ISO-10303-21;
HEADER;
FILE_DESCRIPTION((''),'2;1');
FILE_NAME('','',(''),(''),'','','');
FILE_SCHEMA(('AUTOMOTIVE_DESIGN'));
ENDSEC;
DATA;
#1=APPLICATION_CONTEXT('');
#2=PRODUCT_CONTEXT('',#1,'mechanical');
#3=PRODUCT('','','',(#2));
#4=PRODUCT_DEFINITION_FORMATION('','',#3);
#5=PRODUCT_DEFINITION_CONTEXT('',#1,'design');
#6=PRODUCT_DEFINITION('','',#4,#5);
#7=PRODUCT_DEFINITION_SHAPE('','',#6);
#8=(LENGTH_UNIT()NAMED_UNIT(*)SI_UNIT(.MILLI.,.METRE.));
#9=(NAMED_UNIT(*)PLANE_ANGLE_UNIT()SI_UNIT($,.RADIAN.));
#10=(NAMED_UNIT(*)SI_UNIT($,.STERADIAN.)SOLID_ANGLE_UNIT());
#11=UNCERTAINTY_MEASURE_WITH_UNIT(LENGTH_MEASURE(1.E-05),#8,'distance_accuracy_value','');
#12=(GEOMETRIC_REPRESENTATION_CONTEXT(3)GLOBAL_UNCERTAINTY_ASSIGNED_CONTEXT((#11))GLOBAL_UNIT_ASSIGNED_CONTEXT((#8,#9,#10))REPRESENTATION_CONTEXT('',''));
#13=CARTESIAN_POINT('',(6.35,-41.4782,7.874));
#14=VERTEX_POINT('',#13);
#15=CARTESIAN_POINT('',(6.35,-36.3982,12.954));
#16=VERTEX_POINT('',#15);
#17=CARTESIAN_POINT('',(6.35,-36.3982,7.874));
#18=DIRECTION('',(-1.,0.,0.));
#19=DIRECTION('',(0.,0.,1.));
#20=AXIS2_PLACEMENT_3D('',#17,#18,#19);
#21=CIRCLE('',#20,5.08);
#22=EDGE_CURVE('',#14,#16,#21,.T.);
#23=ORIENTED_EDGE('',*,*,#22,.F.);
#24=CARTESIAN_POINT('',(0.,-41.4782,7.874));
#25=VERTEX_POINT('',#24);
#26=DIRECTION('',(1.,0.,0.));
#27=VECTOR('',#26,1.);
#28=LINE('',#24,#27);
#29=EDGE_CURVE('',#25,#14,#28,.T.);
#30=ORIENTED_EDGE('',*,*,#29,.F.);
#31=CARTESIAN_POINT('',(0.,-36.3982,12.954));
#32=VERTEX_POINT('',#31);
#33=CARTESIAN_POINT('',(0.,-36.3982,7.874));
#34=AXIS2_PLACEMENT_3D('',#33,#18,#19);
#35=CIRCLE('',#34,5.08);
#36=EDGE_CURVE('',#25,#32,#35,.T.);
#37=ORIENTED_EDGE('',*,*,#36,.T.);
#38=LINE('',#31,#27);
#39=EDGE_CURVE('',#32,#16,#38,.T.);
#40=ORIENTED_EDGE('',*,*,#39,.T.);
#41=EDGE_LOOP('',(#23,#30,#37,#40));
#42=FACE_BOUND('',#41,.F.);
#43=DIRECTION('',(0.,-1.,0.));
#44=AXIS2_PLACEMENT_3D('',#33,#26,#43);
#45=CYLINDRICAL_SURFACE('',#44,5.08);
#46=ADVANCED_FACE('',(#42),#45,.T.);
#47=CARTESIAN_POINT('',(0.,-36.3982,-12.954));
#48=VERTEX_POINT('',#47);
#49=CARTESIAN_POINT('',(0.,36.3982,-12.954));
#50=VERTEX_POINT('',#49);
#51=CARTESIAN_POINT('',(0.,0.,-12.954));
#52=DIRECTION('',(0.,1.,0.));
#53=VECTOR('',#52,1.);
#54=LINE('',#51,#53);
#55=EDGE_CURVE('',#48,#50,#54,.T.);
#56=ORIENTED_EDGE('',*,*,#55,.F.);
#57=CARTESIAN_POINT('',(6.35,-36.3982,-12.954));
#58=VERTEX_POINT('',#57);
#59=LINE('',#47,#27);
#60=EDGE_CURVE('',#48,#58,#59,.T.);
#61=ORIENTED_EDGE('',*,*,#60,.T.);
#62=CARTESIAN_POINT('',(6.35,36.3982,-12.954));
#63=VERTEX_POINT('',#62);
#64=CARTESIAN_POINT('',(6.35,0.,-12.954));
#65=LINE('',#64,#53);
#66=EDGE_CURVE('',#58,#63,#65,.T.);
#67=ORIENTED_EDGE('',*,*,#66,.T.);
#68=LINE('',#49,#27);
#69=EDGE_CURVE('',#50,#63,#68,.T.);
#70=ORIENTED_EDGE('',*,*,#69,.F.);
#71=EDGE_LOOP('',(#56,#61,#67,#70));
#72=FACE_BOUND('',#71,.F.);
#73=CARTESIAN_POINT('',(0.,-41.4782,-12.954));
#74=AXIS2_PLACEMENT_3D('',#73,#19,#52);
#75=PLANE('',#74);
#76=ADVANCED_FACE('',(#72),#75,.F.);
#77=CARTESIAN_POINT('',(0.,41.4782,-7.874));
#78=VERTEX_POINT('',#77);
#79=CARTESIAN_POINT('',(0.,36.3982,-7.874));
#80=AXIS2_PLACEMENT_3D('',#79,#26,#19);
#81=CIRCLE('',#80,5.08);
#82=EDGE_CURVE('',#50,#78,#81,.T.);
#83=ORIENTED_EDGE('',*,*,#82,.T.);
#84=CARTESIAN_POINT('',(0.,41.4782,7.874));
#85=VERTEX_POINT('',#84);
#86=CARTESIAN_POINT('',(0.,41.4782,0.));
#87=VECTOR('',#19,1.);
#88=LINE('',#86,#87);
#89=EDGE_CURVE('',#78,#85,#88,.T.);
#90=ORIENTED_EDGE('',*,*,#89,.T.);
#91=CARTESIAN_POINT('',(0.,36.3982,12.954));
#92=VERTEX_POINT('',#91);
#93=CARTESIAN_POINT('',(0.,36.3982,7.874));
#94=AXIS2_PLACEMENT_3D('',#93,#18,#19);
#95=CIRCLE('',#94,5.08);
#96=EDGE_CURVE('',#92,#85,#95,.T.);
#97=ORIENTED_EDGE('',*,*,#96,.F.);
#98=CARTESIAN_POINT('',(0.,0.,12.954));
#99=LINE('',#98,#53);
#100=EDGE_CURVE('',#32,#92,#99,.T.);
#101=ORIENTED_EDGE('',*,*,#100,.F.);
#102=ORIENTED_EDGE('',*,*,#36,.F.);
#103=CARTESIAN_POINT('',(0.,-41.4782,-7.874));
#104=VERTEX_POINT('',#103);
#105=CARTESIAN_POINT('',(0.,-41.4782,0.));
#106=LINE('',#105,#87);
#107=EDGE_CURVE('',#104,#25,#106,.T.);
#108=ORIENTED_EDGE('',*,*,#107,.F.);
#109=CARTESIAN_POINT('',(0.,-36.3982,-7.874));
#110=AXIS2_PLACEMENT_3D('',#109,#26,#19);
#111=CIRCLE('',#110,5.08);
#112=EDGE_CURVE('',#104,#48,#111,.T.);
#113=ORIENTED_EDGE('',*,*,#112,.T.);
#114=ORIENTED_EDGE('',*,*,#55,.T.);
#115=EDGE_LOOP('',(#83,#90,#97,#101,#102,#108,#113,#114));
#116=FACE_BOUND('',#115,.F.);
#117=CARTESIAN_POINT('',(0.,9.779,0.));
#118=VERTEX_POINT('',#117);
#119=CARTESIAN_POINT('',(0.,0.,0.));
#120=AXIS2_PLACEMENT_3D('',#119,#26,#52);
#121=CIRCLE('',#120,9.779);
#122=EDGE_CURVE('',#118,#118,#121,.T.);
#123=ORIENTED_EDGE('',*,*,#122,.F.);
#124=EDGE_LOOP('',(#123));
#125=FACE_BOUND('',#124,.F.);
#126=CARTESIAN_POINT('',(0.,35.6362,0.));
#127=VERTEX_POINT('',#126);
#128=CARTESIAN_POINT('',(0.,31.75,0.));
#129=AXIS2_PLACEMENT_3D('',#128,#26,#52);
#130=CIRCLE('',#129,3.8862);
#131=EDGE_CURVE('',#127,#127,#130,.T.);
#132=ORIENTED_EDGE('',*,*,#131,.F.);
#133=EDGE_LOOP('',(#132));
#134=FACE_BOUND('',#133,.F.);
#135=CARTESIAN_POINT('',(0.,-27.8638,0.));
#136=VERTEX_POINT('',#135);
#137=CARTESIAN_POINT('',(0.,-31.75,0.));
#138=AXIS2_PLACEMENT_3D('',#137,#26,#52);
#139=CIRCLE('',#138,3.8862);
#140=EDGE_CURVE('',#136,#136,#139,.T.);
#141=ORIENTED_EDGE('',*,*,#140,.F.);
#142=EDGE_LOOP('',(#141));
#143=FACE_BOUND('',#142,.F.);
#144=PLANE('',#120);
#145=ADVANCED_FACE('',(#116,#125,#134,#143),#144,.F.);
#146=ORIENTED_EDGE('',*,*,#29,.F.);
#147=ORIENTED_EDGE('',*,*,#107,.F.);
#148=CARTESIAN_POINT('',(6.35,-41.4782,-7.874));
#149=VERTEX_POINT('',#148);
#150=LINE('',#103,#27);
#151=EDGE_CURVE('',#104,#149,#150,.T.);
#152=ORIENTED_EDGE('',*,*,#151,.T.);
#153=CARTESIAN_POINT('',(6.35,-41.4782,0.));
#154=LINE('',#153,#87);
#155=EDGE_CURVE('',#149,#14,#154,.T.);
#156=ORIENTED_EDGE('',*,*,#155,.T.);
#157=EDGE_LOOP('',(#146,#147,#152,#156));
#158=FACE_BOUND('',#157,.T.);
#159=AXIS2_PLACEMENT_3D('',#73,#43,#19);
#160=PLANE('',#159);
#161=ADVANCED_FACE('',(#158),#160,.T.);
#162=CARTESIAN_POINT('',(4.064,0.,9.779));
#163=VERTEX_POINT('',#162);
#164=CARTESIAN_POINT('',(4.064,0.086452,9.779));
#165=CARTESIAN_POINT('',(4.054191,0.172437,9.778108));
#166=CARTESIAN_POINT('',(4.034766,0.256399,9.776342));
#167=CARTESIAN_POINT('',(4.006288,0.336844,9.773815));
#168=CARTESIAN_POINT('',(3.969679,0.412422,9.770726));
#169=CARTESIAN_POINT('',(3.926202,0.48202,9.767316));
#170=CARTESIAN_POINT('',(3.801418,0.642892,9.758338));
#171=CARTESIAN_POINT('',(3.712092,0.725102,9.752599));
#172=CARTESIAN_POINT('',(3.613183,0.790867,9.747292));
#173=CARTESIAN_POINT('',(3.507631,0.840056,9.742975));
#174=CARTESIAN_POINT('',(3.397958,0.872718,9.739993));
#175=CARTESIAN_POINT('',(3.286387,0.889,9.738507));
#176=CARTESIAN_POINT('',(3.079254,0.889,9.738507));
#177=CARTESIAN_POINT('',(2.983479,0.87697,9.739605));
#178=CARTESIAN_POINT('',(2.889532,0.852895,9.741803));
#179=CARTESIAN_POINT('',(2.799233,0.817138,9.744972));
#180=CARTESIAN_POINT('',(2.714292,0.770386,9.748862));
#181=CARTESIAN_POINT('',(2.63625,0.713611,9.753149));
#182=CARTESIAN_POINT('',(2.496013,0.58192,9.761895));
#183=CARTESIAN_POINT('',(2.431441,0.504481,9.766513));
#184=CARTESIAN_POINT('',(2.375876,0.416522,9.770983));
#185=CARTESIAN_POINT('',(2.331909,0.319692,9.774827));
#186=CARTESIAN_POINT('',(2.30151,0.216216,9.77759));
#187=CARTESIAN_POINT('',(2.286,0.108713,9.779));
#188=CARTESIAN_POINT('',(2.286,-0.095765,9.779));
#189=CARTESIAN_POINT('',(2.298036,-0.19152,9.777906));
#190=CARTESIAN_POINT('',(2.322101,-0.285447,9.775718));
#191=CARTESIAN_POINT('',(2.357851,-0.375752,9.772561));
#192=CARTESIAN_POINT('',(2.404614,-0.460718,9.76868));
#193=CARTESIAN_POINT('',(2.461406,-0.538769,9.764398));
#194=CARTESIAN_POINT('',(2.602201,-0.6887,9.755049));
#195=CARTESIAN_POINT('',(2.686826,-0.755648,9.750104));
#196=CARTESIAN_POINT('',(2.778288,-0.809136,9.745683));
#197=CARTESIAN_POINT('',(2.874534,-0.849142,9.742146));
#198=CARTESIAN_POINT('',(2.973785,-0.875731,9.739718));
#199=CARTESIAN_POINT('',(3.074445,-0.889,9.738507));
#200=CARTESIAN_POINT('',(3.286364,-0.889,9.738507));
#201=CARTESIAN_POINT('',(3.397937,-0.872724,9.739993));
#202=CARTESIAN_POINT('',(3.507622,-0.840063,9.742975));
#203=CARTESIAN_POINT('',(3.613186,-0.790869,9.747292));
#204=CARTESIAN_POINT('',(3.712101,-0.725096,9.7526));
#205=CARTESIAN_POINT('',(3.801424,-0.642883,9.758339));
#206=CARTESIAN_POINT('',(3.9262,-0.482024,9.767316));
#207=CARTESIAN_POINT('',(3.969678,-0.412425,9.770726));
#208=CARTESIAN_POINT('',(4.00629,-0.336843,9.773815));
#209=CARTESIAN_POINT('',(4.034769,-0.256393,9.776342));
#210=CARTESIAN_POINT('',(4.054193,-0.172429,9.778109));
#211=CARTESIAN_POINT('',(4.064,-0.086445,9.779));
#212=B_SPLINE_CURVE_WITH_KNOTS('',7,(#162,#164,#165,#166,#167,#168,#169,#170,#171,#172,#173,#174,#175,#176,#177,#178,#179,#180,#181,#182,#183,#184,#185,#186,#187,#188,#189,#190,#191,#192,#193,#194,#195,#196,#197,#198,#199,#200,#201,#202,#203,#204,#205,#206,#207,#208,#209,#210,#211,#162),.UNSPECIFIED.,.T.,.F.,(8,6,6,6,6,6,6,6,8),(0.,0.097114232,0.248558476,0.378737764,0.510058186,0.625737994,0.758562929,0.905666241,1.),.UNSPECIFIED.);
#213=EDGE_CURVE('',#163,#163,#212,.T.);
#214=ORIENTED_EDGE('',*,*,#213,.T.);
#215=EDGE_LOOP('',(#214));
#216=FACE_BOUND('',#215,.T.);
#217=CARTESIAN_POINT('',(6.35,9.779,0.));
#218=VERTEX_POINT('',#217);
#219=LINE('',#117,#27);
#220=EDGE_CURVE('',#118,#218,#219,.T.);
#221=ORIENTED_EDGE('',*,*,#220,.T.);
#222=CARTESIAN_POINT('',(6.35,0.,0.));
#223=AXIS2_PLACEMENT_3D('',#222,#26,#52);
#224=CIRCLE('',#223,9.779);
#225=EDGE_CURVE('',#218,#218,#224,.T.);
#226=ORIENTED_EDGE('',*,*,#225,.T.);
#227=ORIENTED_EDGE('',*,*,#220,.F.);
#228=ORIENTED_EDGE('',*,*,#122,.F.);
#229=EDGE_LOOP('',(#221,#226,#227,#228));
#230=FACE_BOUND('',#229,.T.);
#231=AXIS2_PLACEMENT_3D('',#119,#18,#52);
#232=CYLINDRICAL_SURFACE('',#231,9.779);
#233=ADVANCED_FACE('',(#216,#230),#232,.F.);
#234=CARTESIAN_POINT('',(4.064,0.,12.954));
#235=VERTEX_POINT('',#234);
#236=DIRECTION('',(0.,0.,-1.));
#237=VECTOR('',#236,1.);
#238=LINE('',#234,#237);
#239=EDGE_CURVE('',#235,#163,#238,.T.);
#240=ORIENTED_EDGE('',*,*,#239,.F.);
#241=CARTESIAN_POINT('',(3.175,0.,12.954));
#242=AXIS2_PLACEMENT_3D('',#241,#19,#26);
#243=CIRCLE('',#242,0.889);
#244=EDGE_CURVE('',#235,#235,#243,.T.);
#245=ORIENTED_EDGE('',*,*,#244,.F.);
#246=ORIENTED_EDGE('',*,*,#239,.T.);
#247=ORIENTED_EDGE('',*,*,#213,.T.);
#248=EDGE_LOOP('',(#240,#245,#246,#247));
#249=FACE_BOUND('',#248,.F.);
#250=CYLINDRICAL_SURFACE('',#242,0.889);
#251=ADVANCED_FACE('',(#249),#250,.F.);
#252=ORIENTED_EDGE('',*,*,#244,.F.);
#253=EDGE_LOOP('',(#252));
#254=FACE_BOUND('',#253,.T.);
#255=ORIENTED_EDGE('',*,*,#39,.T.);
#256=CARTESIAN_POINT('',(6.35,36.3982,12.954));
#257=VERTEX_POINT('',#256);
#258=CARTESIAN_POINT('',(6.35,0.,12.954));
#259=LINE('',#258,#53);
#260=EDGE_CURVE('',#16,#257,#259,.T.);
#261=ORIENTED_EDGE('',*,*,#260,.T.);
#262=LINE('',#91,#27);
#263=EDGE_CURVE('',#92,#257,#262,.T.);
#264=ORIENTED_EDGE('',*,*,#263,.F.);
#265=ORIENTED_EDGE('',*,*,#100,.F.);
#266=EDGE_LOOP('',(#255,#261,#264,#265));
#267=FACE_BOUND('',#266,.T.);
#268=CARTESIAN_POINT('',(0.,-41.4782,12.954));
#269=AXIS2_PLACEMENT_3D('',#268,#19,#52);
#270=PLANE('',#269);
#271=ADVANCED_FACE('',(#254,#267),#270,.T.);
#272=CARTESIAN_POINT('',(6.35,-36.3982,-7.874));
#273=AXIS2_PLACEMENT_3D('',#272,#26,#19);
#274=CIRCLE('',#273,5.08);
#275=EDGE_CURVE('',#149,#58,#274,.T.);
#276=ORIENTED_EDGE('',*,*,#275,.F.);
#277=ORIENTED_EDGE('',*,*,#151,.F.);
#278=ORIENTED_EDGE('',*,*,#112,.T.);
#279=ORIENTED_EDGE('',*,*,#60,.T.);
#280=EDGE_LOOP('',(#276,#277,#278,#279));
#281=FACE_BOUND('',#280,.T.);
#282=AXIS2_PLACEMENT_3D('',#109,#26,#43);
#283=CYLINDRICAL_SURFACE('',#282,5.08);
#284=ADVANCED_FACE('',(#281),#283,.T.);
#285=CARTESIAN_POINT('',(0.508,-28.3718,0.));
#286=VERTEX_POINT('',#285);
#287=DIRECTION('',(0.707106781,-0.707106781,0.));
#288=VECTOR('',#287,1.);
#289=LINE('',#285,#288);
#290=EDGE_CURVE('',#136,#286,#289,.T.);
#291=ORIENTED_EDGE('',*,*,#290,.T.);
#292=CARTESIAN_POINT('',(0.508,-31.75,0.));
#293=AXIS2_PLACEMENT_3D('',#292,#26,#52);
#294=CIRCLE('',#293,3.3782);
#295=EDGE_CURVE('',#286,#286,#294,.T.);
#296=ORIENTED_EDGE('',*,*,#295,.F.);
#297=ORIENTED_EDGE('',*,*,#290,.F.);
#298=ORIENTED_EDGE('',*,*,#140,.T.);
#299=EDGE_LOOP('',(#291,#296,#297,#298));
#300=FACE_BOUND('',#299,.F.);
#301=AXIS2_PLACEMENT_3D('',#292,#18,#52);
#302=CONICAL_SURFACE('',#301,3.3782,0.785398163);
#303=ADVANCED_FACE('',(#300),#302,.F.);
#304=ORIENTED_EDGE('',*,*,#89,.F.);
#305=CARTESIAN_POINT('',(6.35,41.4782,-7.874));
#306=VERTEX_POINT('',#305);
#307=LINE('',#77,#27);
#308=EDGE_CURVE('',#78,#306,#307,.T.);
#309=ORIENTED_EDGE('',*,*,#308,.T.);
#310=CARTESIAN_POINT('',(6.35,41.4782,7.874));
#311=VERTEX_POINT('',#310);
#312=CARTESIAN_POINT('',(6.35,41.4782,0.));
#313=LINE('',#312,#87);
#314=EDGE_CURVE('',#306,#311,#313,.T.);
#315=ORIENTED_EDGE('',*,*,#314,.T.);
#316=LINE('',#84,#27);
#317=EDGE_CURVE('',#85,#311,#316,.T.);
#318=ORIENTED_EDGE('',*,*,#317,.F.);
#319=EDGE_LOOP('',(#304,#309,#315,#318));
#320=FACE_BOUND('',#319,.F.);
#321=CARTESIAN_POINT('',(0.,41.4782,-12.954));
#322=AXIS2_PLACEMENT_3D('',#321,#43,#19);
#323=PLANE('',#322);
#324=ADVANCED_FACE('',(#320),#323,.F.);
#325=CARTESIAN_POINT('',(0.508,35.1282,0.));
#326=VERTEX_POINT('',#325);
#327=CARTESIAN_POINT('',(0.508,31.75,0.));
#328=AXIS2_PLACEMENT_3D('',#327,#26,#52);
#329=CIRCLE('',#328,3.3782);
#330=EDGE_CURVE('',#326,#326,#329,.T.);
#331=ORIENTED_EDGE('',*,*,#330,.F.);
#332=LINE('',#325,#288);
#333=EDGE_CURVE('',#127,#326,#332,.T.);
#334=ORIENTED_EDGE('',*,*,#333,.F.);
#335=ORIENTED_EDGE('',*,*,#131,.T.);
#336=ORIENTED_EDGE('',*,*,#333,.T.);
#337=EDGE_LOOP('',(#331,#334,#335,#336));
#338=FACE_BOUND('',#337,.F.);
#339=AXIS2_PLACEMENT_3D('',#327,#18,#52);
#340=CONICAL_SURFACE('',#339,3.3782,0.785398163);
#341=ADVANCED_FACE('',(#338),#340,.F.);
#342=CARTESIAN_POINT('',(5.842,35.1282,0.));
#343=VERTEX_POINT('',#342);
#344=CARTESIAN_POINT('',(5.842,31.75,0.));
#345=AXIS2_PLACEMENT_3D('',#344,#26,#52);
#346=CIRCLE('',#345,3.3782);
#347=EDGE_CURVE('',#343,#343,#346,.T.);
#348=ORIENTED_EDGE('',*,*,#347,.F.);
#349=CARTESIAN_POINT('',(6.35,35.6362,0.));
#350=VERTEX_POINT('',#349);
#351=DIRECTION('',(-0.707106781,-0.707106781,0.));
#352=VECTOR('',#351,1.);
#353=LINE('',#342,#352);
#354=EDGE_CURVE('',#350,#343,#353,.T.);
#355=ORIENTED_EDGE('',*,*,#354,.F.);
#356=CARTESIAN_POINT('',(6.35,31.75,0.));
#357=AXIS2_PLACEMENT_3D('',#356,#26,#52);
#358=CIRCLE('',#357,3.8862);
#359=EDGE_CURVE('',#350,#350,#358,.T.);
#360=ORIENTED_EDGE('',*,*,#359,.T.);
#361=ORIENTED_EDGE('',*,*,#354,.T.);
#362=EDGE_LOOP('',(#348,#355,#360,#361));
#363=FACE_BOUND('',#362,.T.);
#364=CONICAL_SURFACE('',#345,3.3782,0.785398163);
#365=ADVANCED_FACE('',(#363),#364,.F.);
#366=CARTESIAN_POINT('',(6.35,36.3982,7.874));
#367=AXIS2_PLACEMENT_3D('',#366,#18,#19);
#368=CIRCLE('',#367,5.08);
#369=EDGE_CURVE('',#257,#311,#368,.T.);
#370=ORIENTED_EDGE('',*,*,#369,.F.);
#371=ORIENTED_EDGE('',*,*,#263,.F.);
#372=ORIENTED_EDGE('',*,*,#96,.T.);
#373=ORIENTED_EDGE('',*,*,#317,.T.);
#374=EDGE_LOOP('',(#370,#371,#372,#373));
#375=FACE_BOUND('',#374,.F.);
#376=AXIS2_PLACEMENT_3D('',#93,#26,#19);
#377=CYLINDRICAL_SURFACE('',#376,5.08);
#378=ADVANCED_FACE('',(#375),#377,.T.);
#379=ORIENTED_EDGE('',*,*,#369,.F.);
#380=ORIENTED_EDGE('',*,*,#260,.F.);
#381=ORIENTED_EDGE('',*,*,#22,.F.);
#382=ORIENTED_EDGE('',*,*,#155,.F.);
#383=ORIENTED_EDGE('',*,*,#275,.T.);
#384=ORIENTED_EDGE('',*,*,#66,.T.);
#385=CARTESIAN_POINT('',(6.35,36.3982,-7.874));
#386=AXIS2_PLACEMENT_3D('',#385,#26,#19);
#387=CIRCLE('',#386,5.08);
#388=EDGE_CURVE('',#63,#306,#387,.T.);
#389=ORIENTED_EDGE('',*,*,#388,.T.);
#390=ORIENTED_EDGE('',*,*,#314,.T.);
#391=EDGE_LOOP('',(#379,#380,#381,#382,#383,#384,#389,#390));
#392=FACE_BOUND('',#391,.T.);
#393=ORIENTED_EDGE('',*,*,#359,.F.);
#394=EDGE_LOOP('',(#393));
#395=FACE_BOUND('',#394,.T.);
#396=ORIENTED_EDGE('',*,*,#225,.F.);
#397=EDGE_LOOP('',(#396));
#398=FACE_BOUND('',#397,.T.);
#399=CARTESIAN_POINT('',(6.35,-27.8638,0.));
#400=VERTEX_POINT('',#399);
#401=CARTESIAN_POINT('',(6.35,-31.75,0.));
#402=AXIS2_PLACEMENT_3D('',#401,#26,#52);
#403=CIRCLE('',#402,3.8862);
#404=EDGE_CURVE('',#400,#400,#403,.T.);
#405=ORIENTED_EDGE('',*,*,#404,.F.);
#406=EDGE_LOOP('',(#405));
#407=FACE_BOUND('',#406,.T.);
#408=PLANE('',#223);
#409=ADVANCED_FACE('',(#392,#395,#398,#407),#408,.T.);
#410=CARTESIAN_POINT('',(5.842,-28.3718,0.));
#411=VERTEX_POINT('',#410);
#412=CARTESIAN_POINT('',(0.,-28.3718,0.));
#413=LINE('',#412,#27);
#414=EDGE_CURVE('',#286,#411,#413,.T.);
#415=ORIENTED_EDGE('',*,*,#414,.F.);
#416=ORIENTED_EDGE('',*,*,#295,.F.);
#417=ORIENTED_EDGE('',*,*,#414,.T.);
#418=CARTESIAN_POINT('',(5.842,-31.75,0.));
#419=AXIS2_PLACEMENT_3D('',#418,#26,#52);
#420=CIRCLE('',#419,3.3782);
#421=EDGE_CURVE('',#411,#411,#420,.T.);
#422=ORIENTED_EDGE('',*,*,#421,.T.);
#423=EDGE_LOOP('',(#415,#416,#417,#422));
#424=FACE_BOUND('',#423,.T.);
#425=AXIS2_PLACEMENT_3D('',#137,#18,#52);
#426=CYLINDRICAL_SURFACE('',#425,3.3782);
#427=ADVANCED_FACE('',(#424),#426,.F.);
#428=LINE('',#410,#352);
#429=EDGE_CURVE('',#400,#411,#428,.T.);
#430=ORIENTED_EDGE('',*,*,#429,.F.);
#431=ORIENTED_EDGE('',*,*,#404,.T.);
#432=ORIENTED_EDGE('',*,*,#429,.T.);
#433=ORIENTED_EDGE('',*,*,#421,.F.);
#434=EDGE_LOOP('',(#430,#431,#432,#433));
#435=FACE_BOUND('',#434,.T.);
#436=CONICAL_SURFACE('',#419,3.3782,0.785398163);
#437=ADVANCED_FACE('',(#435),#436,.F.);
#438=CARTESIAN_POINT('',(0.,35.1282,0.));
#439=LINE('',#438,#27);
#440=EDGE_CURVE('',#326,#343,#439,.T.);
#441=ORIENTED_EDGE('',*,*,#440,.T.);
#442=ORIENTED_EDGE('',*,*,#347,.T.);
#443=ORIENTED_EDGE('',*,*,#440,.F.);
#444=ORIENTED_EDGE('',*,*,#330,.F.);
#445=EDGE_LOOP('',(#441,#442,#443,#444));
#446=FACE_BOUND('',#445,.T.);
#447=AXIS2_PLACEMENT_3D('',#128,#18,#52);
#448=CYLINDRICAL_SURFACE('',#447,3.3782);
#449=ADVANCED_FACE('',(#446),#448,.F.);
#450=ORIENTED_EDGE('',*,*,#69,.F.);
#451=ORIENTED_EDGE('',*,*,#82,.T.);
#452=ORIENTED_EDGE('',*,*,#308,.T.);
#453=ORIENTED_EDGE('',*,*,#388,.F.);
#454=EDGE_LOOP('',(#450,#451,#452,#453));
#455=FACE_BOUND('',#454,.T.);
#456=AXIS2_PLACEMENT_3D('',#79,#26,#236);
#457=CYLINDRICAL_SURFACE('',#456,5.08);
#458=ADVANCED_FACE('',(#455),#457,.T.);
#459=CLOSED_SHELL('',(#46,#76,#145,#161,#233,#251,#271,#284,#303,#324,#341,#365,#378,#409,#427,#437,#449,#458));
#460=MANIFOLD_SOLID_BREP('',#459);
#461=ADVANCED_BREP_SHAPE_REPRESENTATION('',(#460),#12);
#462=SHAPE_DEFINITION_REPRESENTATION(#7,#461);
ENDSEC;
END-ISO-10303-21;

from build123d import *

# Parameters (mm, degrees)
F0_W     = 82.9564
F0_H     = 25.908
F0_R     = 3.3782
F0_R_2   = 9.779
F1_DEPTH = 6.35
F3_R     = 5.08
F4_SIZE  = 0.508
F2_R     = 0.889
F5_DEPTH = 3.2164930276


with BuildPart() as f1:
    # F0 (on Right) → F1 (new body)
    with BuildSketch(Plane.YZ):
        Rectangle(F0_W, F0_H)
        with Locations((-31.75, 0)):
            Circle(F0_R, mode=Mode.SUBTRACT)
        Circle(F0_R_2, mode=Mode.SUBTRACT)
        with Locations((31.75, 0)):
            Circle(F0_R, mode=Mode.SUBTRACT)
    extrude(amount=F1_DEPTH)

    # F3
    f3_edges = [f1.edges().sort_by_distance(p)[0] for p in [
        (3.175, -41.4782, 12.954),
        (3.175, 41.4782, 12.954),
        (3.175, 41.4782, -12.954),
        (3.175, -41.4782, -12.954),
    ]]
    fillet(f3_edges, radius=F3_R)

    # F4
    f4_edges = [f1.edges().sort_by_distance(p)[0] for p in [
        (0, 28.3718, 0),
        (6.35, 28.3718, 0),
        (0, -35.1282, 0),
        (6.35, -35.1282, 0),
    ]]
    chamfer(f4_edges, length=F4_SIZE)

    # F2 (on face) → F5 (cut, through all)
    with BuildSketch(Plane.XY.offset(12.954)):
        with Locations((3.175, 0)):
            Circle(F2_R)
    extrude(amount=-F5_DEPTH, mode=Mode.SUBTRACT)


solid = f1.part
